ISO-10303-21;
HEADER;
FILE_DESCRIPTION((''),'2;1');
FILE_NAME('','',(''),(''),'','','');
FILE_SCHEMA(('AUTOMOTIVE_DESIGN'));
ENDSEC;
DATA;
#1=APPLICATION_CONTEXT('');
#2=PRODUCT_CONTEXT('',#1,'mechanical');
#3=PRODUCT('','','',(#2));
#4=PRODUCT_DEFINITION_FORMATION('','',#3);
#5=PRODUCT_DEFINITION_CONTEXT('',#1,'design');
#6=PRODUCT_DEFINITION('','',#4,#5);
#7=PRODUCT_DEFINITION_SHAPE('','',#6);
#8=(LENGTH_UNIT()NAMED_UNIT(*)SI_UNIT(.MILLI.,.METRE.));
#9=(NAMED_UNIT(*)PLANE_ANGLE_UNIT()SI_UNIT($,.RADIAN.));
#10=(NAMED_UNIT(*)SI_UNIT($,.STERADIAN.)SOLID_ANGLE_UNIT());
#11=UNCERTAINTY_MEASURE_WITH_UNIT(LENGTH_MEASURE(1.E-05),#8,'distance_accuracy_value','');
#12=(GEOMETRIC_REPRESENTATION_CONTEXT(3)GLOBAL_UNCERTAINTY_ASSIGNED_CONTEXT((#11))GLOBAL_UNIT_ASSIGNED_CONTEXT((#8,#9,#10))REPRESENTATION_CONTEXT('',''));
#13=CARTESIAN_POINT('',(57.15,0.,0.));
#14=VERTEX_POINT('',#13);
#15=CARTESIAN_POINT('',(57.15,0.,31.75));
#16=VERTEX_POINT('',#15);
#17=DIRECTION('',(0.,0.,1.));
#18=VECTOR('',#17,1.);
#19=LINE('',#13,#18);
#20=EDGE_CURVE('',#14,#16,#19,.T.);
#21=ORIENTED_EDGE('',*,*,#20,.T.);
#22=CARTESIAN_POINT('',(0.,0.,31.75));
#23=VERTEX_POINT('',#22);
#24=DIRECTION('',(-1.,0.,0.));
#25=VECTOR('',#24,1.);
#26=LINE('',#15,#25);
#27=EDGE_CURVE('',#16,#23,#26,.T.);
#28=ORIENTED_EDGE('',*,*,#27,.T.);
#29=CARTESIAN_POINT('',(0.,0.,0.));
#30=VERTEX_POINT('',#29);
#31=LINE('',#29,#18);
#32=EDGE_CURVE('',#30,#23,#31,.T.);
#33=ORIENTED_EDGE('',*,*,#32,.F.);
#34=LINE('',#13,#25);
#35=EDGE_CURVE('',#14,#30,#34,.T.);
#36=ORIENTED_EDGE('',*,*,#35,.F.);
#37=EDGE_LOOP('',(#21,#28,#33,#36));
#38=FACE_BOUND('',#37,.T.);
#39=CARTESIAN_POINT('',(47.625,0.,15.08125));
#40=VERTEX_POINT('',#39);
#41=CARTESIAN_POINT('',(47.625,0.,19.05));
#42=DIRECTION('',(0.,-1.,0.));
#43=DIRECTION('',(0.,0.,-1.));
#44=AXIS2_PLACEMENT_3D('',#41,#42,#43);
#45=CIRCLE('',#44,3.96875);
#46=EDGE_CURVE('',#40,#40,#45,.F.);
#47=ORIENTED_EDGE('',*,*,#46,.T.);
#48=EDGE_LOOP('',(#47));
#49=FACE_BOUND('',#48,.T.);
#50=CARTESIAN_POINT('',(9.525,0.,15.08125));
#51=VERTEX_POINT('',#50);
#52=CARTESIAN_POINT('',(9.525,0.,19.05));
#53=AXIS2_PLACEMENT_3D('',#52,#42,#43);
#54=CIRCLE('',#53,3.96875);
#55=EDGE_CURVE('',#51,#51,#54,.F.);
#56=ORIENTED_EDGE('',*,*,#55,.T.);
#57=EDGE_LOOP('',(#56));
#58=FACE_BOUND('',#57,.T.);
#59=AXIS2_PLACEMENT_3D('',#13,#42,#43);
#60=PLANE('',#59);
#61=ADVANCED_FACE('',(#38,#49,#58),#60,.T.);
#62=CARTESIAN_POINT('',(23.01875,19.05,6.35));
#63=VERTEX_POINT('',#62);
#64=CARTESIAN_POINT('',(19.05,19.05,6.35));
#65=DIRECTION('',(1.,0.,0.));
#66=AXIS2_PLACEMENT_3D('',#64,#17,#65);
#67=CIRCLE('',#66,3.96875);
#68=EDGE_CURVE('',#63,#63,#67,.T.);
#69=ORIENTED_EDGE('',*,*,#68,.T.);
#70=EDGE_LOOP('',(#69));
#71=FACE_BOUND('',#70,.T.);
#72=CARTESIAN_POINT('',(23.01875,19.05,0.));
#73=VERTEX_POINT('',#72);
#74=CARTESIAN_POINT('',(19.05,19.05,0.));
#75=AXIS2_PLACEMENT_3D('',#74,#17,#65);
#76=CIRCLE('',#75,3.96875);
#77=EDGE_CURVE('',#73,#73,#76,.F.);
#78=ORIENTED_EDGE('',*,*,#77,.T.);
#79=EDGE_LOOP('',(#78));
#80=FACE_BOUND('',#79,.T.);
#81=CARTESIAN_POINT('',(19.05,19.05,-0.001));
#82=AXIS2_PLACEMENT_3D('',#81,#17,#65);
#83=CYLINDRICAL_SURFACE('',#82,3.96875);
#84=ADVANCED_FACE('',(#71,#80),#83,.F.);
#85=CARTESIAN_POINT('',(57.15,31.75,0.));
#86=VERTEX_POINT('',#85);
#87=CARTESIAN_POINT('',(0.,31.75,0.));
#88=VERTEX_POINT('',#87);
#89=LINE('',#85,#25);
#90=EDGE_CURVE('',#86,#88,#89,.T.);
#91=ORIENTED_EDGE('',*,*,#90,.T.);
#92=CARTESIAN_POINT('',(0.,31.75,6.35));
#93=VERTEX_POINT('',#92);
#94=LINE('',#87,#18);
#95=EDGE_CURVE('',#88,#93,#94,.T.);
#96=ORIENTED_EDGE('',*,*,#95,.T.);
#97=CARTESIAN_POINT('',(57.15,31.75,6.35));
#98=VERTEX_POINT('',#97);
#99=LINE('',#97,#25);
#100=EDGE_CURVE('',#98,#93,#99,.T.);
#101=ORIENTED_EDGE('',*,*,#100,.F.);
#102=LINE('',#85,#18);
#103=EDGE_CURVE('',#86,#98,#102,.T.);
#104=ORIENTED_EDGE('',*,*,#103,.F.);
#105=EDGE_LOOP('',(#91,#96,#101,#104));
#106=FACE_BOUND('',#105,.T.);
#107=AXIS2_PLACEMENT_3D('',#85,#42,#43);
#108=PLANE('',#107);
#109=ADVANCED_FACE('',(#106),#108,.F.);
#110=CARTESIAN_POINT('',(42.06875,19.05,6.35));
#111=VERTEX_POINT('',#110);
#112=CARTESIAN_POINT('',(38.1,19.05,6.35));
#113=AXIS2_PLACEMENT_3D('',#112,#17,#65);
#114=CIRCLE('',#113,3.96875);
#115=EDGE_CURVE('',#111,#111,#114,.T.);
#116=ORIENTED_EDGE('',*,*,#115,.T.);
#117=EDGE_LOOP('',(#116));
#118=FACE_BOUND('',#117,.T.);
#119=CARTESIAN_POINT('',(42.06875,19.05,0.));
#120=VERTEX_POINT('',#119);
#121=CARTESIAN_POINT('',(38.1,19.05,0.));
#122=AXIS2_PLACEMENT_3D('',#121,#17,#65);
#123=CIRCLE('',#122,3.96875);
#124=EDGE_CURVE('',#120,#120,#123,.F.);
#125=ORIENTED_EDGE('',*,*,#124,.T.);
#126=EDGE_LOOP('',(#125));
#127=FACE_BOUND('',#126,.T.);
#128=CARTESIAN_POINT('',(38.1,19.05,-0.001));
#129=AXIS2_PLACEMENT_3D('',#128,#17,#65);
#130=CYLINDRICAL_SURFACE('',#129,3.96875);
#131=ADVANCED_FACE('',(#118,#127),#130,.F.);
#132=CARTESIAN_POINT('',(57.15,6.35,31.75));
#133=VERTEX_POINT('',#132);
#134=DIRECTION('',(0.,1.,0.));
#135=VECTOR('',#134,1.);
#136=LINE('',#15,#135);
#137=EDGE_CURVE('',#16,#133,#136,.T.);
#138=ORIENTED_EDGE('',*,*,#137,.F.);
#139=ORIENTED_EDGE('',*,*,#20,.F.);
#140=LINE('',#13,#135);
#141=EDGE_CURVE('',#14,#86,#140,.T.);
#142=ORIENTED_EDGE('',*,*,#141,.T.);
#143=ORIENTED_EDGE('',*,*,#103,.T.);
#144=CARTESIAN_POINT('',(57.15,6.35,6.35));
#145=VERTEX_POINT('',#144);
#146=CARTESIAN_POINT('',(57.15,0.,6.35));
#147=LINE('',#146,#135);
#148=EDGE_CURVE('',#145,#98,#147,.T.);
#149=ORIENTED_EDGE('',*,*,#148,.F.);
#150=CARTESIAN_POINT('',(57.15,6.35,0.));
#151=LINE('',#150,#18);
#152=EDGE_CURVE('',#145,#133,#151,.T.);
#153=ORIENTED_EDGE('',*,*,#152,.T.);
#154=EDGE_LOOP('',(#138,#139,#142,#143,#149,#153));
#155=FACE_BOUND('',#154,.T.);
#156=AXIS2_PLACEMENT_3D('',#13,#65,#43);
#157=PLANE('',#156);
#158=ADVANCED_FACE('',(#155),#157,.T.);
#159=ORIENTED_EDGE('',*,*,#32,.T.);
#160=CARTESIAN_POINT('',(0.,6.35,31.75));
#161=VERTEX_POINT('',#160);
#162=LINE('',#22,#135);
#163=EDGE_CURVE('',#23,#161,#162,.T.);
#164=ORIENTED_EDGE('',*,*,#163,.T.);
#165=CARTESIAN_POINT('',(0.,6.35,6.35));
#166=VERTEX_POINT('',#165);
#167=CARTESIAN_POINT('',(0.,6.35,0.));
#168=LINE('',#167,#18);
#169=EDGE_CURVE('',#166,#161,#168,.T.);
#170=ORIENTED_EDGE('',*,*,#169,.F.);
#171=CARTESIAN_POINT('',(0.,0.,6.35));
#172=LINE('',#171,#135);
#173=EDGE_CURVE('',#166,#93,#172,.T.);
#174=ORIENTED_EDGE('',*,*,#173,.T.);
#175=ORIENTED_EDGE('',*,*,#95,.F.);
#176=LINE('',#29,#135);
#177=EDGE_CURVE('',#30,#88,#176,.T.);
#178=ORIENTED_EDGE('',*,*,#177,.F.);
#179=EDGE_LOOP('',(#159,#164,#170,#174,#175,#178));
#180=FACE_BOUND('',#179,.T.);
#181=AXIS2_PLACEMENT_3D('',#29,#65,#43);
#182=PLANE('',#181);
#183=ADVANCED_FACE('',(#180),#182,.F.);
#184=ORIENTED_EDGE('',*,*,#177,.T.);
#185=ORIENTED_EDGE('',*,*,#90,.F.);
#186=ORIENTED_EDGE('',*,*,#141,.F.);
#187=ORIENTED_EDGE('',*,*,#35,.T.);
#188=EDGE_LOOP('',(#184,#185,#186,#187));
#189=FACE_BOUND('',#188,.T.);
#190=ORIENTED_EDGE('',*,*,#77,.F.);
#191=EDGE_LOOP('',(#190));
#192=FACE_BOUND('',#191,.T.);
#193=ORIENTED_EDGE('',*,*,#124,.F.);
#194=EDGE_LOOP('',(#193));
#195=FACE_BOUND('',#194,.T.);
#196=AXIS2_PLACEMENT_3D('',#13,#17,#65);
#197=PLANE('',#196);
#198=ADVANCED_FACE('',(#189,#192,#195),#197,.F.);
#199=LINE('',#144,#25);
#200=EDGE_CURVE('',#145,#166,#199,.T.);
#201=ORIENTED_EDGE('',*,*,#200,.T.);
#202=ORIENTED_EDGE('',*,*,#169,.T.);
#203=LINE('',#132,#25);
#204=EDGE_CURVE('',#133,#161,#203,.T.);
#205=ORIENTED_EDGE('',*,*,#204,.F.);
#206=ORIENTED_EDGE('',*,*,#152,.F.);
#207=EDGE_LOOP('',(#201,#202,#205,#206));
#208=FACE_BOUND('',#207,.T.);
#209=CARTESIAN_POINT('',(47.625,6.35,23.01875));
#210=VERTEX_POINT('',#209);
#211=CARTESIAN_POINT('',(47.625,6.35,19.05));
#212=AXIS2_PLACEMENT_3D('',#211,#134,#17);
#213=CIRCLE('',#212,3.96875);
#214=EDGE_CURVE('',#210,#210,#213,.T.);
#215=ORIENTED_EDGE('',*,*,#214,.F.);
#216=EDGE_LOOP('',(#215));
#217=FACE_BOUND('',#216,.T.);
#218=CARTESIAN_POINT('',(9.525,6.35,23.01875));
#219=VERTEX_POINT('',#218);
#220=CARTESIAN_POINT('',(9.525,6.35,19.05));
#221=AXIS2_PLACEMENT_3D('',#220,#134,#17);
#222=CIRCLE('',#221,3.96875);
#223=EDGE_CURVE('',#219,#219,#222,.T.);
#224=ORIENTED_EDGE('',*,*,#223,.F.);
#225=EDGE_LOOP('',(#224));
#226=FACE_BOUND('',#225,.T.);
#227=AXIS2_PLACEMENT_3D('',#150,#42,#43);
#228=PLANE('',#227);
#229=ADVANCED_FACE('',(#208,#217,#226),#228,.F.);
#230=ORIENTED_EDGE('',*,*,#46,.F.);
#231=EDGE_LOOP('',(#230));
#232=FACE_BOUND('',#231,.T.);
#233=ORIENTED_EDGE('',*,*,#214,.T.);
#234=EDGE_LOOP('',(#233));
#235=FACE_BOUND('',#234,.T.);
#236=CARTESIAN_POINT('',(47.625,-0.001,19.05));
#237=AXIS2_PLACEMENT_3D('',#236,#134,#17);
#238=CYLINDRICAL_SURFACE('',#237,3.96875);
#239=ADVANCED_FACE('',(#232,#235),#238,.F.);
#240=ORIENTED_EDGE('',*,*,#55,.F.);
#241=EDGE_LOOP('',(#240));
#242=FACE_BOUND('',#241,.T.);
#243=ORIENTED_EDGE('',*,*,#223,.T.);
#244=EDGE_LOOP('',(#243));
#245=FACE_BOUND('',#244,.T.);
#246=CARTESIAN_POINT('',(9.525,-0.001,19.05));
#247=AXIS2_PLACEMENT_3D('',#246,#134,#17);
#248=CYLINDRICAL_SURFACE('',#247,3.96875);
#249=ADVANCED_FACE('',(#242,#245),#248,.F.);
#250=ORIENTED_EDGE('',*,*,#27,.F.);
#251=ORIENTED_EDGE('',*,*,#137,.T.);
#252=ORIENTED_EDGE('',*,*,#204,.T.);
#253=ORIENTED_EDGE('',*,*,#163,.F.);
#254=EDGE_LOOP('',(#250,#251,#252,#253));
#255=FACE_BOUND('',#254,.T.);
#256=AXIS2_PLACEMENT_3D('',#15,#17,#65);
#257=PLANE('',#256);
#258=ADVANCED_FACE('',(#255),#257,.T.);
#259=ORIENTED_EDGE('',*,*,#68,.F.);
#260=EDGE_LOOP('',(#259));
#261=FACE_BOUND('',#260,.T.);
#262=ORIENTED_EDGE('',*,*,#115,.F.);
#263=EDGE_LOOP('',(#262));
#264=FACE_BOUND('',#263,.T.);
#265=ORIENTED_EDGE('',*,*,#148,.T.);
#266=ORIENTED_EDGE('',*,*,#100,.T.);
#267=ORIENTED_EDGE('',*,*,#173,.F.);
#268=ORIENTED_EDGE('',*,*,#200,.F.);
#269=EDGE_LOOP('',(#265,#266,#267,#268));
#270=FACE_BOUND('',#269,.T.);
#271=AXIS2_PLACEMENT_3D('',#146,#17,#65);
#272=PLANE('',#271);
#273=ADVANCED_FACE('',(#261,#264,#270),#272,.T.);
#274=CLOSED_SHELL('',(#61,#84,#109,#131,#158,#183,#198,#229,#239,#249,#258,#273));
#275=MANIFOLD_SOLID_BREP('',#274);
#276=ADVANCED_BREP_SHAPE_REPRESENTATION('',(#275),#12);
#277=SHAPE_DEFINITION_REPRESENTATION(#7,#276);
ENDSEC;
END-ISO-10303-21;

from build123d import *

# Parameters (mm, degrees)
SKETCH1_W           = 25.4
SKETCH1_H           = 6.35
SKETCH1_W_2         = 6.35
SKETCH1_H_2         = 31.75
BOSS_EXTRUDE1_DEPTH = 57.15
CUT_EXTRUDE1_REACH  = 8.35
SKETCH2_R           = 3.96875
CUT_EXTRUDE2_REACH  = 8.35
SKETCH3_R           = 3.96875


with BuildPart() as part:
    # Sketch1 → Boss-Extrude1 (new body)
    with BuildSketch(Plane(origin=(0, 0, 0), x_dir=(0, 0, -1), z_dir=(1, 0, 0))):
        with Locations((-19.05, 3.175)):
            Rectangle(SKETCH1_W, SKETCH1_H)
        with Locations((-3.175, 15.875)):
            Rectangle(SKETCH1_W_2, SKETCH1_H_2)
    extrude(amount=BOSS_EXTRUDE1_DEPTH)

    # Sketch2 → Cut-Extrude1 (cut, up to next)
    with BuildSketch(Plane.XY.offset(6.35), mode=Mode.PRIVATE) as cut_extrude1_sk1:
        with Locations((19.05, 19.05)):
            Circle(SKETCH2_R)
    cut_extrude1_tool1 = extrude(cut_extrude1_sk1.sketch, amount=-CUT_EXTRUDE1_REACH, mode=Mode.PRIVATE) & part.part
    add(cut_extrude1_tool1.solids().sort_by_distance((19.05, 19.05, 6.35))[0], mode=Mode.SUBTRACT)
    # Sketch2 → Cut-Extrude1 (cut, up to next)
    with BuildSketch(Plane.XY.offset(6.35), mode=Mode.PRIVATE) as cut_extrude1_sk2:
        with Locations((38.1, 19.05)):
            Circle(SKETCH2_R)
    cut_extrude1_tool2 = extrude(cut_extrude1_sk2.sketch, amount=-CUT_EXTRUDE1_REACH, mode=Mode.PRIVATE) & part.part
    add(cut_extrude1_tool2.solids().sort_by_distance((38.1, 19.05, 6.35))[0], mode=Mode.SUBTRACT)

    # Sketch3 → Cut-Extrude2 (cut, up to next)
    with BuildSketch(Plane(origin=(0, 6.35, 0), x_dir=(1, 0, 0), z_dir=(0, 1, 0)), mode=Mode.PRIVATE) as cut_extrude2_sk1:
        with Locations((9.525, -19.05)):
            Circle(SKETCH3_R)
    cut_extrude2_tool1 = extrude(cut_extrude2_sk1.sketch, amount=-CUT_EXTRUDE2_REACH, mode=Mode.PRIVATE) & part.part
    add(cut_extrude2_tool1.solids().sort_by_distance((9.525, 6.35, 19.05))[0], mode=Mode.SUBTRACT)
    # Sketch3 → Cut-Extrude2 (cut, up to next)
    with BuildSketch(Plane(origin=(0, 6.35, 0), x_dir=(1, 0, 0), z_dir=(0, 1, 0)), mode=Mode.PRIVATE) as cut_extrude2_sk2:
        with Locations((47.625, -19.05)):
            Circle(SKETCH3_R)
    cut_extrude2_tool2 = extrude(cut_extrude2_sk2.sketch, amount=-CUT_EXTRUDE2_REACH, mode=Mode.PRIVATE) & part.part
    add(cut_extrude2_tool2.solids().sort_by_distance((47.625, 6.35, 19.05))[0], mode=Mode.SUBTRACT)


solid = part.part
